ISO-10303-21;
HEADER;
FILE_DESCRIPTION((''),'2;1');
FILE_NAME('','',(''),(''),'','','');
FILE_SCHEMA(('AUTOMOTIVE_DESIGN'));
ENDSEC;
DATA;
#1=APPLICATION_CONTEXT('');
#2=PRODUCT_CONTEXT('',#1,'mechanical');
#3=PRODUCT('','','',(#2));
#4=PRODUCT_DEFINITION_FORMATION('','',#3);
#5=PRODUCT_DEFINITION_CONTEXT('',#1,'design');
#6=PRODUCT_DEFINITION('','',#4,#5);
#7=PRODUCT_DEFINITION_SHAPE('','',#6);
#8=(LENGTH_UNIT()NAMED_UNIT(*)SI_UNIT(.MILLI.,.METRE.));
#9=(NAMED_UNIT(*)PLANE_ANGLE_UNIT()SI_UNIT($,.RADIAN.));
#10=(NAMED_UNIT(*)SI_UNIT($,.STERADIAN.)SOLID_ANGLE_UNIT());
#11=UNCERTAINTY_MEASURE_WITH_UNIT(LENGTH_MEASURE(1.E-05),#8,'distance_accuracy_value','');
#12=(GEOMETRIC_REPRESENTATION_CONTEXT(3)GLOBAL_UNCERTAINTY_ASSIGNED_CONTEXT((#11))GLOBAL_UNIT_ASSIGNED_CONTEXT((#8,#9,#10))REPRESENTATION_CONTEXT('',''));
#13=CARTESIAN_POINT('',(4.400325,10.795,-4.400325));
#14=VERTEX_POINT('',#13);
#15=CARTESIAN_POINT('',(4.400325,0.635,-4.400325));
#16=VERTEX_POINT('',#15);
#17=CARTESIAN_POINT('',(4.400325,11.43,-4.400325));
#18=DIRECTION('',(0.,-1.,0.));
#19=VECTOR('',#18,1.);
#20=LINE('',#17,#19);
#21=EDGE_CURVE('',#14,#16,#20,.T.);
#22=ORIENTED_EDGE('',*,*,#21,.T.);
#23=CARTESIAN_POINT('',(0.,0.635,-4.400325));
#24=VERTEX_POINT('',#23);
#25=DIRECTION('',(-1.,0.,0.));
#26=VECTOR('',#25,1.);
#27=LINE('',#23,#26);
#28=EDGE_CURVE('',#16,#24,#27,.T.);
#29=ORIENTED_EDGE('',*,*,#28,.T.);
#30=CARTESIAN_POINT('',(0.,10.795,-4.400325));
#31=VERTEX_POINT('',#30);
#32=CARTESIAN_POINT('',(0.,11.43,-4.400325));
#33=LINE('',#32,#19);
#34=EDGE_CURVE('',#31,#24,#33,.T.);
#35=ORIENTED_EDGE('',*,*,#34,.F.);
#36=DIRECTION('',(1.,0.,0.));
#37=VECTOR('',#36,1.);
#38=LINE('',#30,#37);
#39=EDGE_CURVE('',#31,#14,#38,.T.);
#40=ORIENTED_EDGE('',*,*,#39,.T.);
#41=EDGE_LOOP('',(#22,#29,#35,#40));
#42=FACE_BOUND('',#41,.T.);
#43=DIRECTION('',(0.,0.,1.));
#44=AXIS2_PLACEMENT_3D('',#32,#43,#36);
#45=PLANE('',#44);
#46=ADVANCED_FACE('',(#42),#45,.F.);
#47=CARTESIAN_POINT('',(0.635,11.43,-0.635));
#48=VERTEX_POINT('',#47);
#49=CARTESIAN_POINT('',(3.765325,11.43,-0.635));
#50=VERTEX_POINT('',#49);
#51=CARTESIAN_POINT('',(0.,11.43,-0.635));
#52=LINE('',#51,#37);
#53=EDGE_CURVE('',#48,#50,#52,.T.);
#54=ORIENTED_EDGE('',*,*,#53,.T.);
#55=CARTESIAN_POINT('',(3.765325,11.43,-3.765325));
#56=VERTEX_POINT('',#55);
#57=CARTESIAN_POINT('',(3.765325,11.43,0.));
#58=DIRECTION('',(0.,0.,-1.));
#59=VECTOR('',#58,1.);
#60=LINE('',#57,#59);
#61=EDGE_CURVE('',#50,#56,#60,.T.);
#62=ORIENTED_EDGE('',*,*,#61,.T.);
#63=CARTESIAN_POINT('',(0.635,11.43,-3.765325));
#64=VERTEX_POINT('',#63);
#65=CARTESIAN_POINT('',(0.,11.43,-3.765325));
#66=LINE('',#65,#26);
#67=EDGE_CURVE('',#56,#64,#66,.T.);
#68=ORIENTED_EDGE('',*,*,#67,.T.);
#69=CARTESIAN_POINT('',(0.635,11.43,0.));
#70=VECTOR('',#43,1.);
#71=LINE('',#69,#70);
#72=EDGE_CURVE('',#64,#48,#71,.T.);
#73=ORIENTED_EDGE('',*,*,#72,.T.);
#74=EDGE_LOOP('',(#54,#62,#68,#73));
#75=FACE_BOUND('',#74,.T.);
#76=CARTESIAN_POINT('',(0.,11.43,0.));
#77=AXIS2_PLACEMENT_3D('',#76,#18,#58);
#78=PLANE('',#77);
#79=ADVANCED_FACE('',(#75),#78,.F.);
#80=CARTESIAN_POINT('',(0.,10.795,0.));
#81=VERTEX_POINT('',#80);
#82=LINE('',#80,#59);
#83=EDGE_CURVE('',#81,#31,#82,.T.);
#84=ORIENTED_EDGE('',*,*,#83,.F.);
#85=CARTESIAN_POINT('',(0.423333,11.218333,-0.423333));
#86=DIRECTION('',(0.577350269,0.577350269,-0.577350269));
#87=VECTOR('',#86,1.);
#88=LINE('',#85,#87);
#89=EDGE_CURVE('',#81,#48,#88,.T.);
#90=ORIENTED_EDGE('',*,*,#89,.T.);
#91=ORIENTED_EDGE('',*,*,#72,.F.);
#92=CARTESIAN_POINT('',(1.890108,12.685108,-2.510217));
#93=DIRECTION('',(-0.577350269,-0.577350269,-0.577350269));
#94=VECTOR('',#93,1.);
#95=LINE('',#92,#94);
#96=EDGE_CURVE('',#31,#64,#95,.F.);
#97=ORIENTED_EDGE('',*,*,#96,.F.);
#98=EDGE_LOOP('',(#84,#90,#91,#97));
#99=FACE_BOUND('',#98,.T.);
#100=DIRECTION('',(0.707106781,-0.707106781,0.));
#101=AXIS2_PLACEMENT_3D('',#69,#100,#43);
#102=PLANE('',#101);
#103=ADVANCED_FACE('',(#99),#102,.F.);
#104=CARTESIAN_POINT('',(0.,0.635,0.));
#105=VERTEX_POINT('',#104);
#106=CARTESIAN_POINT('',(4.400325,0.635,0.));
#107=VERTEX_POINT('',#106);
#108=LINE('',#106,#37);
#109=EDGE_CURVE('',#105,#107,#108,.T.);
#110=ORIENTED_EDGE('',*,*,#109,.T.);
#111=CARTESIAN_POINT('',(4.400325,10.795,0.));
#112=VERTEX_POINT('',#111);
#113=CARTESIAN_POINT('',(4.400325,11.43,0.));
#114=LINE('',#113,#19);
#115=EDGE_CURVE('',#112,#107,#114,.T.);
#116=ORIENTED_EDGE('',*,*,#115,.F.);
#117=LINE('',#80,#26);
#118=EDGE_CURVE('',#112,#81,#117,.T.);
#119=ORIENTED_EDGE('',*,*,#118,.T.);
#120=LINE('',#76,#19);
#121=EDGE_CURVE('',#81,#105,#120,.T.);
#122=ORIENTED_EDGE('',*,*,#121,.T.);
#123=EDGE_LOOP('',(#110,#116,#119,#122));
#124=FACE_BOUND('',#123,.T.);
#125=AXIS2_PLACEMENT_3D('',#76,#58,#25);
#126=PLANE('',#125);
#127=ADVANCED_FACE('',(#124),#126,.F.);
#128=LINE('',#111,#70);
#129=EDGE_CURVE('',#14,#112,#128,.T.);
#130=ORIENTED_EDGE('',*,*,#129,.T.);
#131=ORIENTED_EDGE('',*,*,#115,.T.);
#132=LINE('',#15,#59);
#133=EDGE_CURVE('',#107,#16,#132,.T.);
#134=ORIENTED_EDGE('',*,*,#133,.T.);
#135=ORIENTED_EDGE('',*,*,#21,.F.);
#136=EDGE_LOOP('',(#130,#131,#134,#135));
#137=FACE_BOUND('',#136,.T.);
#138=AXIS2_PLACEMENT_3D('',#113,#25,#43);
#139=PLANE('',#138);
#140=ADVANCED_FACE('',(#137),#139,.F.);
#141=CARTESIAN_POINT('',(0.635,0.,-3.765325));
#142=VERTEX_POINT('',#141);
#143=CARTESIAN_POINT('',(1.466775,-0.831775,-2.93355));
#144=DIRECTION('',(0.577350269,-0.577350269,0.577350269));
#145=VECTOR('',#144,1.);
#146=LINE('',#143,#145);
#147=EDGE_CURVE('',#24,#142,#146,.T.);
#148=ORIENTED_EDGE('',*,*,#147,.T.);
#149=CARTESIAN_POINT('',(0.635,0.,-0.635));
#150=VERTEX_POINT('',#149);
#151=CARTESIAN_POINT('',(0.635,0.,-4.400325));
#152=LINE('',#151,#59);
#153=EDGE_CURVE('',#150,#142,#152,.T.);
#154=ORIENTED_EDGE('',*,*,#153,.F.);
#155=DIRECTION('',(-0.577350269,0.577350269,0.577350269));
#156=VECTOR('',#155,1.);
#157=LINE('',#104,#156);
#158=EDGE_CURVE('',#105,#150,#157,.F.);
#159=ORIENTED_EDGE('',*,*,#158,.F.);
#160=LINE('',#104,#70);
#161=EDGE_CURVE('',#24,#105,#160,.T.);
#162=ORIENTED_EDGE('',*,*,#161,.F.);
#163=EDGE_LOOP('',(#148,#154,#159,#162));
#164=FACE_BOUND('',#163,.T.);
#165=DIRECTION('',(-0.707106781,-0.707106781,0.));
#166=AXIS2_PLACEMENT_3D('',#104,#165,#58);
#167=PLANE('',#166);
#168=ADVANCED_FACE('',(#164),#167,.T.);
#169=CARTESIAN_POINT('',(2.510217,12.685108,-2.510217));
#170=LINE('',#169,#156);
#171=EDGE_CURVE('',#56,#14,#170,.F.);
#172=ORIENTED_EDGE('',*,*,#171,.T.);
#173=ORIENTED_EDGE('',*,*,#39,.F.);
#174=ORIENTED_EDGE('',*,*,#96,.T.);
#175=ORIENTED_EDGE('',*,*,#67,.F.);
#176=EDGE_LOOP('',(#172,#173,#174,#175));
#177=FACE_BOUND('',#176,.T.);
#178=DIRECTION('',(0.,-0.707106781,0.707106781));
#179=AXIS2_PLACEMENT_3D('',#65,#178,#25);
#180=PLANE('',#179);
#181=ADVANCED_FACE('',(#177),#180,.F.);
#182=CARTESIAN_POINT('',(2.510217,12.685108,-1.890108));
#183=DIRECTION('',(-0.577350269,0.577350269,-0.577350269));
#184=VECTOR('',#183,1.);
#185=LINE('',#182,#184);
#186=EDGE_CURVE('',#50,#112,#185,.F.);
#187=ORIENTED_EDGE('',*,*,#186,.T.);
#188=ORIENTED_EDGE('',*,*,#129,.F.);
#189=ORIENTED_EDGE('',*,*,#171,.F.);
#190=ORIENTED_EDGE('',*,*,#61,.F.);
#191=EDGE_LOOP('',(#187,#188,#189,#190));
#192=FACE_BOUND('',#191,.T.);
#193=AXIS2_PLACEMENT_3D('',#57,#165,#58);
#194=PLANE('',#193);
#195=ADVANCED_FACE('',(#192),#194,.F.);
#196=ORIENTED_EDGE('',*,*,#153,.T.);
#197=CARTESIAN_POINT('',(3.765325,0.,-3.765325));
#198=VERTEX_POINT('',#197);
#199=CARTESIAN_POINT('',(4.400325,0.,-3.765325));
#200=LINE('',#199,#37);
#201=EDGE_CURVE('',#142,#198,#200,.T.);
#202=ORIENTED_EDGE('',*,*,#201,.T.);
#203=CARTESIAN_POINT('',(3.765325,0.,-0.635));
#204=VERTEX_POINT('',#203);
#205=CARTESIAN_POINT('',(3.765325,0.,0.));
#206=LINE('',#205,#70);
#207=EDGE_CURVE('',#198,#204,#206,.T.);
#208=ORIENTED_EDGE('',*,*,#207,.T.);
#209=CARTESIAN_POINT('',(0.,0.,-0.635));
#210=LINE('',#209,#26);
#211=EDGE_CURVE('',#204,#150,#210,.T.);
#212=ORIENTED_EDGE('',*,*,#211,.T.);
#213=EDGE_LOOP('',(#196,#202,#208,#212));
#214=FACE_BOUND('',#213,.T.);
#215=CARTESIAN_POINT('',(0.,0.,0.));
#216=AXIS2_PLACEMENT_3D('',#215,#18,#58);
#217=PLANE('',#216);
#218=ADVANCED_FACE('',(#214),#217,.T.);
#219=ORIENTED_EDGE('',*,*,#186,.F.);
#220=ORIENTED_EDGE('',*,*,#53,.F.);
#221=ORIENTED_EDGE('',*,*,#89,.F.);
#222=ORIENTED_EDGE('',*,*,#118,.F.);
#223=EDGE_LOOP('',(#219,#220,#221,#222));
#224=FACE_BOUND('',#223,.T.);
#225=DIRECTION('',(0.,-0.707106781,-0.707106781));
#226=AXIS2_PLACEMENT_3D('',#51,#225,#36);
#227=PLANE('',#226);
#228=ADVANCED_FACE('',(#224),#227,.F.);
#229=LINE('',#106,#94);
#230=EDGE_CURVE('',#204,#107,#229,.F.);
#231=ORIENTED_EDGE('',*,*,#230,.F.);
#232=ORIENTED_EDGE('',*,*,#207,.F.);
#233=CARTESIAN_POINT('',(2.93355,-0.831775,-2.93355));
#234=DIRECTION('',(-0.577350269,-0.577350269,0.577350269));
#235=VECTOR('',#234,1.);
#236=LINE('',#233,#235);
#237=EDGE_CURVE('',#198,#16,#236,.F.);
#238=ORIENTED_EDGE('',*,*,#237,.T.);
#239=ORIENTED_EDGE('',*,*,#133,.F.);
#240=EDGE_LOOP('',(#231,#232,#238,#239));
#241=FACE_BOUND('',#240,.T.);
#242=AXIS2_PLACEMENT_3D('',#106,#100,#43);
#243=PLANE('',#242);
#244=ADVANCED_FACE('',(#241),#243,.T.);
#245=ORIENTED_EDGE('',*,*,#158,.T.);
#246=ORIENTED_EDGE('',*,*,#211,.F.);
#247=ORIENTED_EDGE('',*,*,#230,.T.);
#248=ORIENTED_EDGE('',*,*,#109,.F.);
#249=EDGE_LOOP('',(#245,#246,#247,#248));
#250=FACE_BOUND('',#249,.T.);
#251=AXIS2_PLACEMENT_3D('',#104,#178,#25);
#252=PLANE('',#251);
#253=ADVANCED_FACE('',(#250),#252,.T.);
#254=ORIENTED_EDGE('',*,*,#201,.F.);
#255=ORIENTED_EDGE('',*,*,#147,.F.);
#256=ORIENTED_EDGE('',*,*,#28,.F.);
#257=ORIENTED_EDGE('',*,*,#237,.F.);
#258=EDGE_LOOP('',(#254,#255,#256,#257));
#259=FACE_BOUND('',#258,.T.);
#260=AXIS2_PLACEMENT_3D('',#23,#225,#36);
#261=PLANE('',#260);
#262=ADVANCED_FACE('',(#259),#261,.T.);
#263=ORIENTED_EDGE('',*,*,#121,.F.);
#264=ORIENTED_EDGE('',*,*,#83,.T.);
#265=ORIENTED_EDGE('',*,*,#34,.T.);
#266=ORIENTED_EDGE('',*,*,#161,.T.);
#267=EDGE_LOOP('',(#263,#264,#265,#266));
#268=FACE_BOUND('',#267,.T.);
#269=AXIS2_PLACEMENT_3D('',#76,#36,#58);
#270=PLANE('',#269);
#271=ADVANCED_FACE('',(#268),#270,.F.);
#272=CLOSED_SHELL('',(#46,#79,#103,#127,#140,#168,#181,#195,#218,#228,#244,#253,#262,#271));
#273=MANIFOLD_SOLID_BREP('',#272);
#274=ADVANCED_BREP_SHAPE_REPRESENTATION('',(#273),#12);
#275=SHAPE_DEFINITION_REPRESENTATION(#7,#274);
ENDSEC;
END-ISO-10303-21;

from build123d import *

# Parameters (mm, degrees)
SKETCH1_W           = 4.400325499
SKETCH1_H           = 4.400325499
BOSS_EXTRUDE1_DEPTH = 11.43
CHAMFER1_SIZE       = 0.635


with BuildPart() as part:
    # Sketch1 → Boss-Extrude1 (new body)
    with BuildSketch(Plane(origin=(0, 0, 0), x_dir=(1, 0, 0), z_dir=(0, 1, 0))):
        with Locations((2.20016275, 2.20016275)):
            Rectangle(SKETCH1_W, SKETCH1_H)
    extrude(amount=BOSS_EXTRUDE1_DEPTH)

    # Chamfer1
    chamfer1_edges = [part.edges().sort_by_distance(p)[0] for p in [
        (4.400325499, 11.43, -2.20016275),
        (2.20016275, 11.43, -4.400325499),
        (0, 11.43, -2.20016275),
        (2.20016275, 0, -4.400325499),
        (4.400325499, 0, -2.20016275),
        (2.20016275, 0, 0),
        (0, 0, -2.20016275),
        (2.20016275, 11.43, 0),
    ]]
    chamfer(chamfer1_edges, length=CHAMFER1_SIZE)


solid = part.part
